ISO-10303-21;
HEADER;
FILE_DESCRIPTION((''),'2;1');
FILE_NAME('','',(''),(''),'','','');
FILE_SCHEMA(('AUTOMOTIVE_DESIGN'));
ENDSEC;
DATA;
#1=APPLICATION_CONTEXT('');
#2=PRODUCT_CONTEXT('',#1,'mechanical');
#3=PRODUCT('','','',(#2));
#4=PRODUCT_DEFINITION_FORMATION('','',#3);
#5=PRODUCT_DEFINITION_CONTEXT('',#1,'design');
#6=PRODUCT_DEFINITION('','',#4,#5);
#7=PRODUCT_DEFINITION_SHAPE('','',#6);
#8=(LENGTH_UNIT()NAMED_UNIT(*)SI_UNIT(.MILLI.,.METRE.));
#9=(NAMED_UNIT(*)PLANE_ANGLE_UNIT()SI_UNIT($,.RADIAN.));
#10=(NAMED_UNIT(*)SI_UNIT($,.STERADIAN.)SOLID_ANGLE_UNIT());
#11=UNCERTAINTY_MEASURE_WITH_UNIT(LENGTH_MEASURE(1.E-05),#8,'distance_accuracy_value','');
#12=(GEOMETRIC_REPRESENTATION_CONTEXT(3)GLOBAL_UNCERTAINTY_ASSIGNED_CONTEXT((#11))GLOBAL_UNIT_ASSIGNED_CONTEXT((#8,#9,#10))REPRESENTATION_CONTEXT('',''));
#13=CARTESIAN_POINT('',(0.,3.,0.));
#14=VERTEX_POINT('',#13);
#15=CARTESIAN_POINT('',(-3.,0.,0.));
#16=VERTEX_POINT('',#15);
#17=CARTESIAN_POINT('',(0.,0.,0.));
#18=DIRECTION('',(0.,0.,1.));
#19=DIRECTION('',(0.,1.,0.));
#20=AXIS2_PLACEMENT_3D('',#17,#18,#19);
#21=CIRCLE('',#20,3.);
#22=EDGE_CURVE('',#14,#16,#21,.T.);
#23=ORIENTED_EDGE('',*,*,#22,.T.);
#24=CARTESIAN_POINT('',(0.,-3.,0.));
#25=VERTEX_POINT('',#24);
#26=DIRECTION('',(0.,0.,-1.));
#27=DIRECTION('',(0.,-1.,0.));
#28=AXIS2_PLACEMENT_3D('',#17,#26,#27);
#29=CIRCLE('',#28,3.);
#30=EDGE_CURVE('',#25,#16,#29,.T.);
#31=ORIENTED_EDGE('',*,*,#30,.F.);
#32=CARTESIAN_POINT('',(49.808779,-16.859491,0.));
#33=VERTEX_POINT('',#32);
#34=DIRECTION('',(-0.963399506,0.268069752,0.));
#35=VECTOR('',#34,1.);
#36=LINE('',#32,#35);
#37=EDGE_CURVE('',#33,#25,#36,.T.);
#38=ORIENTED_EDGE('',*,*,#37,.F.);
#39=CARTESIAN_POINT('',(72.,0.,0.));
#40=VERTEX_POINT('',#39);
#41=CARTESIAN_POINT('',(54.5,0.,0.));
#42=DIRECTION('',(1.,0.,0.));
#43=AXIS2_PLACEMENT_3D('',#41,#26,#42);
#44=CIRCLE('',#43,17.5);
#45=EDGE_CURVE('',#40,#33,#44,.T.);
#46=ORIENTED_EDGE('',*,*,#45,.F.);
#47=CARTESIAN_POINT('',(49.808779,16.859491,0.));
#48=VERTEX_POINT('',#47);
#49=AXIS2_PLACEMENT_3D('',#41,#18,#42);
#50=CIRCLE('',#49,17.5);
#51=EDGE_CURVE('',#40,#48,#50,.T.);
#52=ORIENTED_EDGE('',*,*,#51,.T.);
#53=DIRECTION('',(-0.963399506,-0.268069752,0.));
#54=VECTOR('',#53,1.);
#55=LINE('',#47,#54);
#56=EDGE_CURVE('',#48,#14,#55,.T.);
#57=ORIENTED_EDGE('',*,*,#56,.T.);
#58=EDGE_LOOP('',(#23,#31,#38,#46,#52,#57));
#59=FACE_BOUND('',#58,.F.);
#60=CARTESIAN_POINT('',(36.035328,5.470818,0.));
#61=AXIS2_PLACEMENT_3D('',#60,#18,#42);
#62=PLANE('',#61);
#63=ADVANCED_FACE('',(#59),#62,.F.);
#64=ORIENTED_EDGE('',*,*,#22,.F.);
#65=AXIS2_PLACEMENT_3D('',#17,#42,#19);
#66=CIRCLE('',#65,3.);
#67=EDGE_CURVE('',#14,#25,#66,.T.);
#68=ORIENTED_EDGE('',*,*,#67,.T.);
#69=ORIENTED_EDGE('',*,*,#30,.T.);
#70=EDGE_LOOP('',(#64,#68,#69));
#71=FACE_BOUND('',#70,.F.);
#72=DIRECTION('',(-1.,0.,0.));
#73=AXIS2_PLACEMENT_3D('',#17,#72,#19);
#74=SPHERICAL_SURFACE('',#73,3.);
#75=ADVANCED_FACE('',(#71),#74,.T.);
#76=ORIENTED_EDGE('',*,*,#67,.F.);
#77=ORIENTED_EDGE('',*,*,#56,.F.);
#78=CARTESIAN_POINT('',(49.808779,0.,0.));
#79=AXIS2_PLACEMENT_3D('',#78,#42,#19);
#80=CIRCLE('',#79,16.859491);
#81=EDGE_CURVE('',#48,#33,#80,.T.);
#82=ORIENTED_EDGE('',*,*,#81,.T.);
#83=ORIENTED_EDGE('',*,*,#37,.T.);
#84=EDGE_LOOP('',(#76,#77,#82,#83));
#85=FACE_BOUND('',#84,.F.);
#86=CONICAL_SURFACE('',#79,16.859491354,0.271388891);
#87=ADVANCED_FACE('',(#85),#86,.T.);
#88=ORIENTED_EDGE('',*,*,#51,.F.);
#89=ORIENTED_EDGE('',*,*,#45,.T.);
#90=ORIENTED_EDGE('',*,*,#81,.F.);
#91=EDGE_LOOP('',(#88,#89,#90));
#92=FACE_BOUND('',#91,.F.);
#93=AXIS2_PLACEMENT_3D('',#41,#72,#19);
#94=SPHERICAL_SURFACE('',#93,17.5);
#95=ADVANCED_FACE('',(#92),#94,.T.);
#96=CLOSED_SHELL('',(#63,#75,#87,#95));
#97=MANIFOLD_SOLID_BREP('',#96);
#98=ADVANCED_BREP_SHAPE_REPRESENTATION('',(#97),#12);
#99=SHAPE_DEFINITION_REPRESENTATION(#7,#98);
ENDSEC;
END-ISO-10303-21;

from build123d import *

# Parameters (mm, degrees)
F1_ANGLE_BACK = 90
F1_ANGLE      = 180


with BuildPart() as f1:
    # F0 (on Front) → F1 (revolve)
    with BuildSketch(Plane.XZ, mode=Mode.PRIVATE) as f1_sk:
        with BuildLine():
            Line((-3, 0), (72, 0))
            ThreePointArc((72, 0), (65.0866339896, 13.9346037177), (49.8087793406, 16.8594913543))
            Line((49.8087793406, 16.8594913543), (0, 3))
            ThreePointArc((0, 3), (-2.1213203436, 2.1213203436), (-3, 0))
        make_face()
    revolve(f1_sk.sketch.rotate(Axis((34.5, 0, 0), (1, 0, 0)), -F1_ANGLE_BACK), axis=Axis((34.5, 0, 0), (1, 0, 0)), revolution_arc=F1_ANGLE)


solid = f1.part
